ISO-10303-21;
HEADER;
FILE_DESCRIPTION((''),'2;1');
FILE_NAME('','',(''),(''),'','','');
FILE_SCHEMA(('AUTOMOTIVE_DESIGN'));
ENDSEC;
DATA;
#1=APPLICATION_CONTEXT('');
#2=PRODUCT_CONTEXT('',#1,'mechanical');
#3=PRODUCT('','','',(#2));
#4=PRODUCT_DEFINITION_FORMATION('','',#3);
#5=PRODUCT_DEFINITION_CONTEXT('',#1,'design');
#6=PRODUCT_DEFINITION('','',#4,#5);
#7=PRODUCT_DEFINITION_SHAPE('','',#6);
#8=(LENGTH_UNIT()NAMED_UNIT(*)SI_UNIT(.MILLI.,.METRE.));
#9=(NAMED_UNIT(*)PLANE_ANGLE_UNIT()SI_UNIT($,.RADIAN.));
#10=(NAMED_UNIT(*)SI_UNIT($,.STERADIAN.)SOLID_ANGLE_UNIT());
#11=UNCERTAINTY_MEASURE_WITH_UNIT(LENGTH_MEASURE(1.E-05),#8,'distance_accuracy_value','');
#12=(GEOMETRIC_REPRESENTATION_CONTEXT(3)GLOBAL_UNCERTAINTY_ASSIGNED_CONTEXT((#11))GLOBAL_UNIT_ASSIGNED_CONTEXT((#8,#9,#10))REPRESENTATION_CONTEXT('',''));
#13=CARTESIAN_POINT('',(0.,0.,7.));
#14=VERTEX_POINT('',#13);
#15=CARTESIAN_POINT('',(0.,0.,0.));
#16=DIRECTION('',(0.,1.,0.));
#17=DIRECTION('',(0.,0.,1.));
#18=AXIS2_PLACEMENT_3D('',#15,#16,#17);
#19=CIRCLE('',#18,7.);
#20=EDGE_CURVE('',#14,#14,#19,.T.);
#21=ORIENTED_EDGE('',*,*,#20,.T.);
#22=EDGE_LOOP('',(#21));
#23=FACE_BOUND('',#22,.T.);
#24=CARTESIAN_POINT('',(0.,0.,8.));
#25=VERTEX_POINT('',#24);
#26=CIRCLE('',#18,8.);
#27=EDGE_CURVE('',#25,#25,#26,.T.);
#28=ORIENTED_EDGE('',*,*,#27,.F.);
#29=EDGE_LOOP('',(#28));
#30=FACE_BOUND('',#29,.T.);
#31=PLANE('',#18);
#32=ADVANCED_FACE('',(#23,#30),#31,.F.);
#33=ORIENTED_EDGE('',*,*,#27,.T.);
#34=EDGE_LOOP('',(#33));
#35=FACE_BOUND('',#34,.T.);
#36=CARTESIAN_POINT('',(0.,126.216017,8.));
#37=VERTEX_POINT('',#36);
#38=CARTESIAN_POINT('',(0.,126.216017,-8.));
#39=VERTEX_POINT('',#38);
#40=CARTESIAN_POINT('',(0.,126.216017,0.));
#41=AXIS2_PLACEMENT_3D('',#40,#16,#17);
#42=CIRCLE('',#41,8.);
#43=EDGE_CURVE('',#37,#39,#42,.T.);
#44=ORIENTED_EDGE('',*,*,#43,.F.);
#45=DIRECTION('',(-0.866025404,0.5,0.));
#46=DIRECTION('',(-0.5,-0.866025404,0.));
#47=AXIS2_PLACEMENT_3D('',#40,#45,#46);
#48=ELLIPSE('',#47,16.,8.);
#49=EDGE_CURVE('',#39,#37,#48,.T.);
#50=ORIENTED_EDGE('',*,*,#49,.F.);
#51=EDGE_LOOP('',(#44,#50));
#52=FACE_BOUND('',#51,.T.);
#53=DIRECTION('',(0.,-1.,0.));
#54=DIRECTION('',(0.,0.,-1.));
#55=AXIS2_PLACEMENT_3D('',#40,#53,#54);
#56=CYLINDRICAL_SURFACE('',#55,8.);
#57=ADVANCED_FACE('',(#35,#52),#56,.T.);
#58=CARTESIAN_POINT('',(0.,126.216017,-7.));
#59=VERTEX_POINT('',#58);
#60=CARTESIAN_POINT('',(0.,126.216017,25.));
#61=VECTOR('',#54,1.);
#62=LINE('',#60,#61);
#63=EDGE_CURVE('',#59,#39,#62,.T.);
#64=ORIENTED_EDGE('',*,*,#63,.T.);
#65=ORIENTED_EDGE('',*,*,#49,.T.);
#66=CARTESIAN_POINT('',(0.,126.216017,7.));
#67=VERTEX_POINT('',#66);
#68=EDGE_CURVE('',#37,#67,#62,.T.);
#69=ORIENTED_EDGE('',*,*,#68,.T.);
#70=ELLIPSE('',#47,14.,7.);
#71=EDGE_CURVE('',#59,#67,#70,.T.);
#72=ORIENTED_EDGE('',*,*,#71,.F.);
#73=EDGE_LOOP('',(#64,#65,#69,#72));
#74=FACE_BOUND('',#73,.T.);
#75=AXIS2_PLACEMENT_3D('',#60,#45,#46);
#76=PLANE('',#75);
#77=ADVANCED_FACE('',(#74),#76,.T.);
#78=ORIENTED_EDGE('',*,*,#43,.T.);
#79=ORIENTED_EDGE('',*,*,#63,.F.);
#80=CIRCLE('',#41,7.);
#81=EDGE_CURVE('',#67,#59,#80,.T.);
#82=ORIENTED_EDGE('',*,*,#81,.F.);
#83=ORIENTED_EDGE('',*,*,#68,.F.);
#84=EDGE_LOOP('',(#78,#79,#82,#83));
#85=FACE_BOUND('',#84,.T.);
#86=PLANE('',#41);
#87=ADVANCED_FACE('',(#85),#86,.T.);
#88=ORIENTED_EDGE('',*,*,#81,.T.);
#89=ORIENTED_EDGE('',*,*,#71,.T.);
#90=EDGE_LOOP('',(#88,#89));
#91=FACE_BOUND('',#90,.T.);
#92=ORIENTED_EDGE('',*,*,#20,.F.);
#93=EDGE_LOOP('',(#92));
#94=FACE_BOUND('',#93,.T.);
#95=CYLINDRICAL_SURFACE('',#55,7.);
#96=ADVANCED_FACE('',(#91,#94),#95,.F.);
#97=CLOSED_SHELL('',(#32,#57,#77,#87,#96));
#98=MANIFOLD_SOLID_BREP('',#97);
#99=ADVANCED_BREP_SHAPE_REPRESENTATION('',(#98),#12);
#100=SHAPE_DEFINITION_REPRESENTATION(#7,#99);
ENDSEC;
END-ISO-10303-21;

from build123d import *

# Parameters (mm, degrees)
SKETCH1_R               = 8
SKETCH1_R_2             = 7
BOSS_EXTRUDE1_DEPTH     = 126.216017178
CUT_EXTRUDE1_DEPTH      = 25
CUT_EXTRUDE1_DEPTH_BACK = 25


with BuildPart() as part:
    # Sketch1 → Boss-Extrude1 (new body)
    with BuildSketch(Plane(origin=(0, 0, 0), x_dir=(1, 0, 0), z_dir=(0, 1, 0))):
        Circle(SKETCH1_R)
        Circle(SKETCH1_R_2, mode=Mode.SUBTRACT)
    extrude(amount=BOSS_EXTRUDE1_DEPTH)

    # Sketch2 → Cut-Extrude1 (cut, two sides: drawn at the far end of the back side and taken through both)
    with BuildSketch(Plane.XY.offset(-CUT_EXTRUDE1_DEPTH_BACK)):
        Polygon((0, 126.216017178), (-8, 112.359610717), (-8, 126.216017178), align=None)
    extrude(amount=CUT_EXTRUDE1_DEPTH + CUT_EXTRUDE1_DEPTH_BACK, mode=Mode.SUBTRACT)


solid = part.part
